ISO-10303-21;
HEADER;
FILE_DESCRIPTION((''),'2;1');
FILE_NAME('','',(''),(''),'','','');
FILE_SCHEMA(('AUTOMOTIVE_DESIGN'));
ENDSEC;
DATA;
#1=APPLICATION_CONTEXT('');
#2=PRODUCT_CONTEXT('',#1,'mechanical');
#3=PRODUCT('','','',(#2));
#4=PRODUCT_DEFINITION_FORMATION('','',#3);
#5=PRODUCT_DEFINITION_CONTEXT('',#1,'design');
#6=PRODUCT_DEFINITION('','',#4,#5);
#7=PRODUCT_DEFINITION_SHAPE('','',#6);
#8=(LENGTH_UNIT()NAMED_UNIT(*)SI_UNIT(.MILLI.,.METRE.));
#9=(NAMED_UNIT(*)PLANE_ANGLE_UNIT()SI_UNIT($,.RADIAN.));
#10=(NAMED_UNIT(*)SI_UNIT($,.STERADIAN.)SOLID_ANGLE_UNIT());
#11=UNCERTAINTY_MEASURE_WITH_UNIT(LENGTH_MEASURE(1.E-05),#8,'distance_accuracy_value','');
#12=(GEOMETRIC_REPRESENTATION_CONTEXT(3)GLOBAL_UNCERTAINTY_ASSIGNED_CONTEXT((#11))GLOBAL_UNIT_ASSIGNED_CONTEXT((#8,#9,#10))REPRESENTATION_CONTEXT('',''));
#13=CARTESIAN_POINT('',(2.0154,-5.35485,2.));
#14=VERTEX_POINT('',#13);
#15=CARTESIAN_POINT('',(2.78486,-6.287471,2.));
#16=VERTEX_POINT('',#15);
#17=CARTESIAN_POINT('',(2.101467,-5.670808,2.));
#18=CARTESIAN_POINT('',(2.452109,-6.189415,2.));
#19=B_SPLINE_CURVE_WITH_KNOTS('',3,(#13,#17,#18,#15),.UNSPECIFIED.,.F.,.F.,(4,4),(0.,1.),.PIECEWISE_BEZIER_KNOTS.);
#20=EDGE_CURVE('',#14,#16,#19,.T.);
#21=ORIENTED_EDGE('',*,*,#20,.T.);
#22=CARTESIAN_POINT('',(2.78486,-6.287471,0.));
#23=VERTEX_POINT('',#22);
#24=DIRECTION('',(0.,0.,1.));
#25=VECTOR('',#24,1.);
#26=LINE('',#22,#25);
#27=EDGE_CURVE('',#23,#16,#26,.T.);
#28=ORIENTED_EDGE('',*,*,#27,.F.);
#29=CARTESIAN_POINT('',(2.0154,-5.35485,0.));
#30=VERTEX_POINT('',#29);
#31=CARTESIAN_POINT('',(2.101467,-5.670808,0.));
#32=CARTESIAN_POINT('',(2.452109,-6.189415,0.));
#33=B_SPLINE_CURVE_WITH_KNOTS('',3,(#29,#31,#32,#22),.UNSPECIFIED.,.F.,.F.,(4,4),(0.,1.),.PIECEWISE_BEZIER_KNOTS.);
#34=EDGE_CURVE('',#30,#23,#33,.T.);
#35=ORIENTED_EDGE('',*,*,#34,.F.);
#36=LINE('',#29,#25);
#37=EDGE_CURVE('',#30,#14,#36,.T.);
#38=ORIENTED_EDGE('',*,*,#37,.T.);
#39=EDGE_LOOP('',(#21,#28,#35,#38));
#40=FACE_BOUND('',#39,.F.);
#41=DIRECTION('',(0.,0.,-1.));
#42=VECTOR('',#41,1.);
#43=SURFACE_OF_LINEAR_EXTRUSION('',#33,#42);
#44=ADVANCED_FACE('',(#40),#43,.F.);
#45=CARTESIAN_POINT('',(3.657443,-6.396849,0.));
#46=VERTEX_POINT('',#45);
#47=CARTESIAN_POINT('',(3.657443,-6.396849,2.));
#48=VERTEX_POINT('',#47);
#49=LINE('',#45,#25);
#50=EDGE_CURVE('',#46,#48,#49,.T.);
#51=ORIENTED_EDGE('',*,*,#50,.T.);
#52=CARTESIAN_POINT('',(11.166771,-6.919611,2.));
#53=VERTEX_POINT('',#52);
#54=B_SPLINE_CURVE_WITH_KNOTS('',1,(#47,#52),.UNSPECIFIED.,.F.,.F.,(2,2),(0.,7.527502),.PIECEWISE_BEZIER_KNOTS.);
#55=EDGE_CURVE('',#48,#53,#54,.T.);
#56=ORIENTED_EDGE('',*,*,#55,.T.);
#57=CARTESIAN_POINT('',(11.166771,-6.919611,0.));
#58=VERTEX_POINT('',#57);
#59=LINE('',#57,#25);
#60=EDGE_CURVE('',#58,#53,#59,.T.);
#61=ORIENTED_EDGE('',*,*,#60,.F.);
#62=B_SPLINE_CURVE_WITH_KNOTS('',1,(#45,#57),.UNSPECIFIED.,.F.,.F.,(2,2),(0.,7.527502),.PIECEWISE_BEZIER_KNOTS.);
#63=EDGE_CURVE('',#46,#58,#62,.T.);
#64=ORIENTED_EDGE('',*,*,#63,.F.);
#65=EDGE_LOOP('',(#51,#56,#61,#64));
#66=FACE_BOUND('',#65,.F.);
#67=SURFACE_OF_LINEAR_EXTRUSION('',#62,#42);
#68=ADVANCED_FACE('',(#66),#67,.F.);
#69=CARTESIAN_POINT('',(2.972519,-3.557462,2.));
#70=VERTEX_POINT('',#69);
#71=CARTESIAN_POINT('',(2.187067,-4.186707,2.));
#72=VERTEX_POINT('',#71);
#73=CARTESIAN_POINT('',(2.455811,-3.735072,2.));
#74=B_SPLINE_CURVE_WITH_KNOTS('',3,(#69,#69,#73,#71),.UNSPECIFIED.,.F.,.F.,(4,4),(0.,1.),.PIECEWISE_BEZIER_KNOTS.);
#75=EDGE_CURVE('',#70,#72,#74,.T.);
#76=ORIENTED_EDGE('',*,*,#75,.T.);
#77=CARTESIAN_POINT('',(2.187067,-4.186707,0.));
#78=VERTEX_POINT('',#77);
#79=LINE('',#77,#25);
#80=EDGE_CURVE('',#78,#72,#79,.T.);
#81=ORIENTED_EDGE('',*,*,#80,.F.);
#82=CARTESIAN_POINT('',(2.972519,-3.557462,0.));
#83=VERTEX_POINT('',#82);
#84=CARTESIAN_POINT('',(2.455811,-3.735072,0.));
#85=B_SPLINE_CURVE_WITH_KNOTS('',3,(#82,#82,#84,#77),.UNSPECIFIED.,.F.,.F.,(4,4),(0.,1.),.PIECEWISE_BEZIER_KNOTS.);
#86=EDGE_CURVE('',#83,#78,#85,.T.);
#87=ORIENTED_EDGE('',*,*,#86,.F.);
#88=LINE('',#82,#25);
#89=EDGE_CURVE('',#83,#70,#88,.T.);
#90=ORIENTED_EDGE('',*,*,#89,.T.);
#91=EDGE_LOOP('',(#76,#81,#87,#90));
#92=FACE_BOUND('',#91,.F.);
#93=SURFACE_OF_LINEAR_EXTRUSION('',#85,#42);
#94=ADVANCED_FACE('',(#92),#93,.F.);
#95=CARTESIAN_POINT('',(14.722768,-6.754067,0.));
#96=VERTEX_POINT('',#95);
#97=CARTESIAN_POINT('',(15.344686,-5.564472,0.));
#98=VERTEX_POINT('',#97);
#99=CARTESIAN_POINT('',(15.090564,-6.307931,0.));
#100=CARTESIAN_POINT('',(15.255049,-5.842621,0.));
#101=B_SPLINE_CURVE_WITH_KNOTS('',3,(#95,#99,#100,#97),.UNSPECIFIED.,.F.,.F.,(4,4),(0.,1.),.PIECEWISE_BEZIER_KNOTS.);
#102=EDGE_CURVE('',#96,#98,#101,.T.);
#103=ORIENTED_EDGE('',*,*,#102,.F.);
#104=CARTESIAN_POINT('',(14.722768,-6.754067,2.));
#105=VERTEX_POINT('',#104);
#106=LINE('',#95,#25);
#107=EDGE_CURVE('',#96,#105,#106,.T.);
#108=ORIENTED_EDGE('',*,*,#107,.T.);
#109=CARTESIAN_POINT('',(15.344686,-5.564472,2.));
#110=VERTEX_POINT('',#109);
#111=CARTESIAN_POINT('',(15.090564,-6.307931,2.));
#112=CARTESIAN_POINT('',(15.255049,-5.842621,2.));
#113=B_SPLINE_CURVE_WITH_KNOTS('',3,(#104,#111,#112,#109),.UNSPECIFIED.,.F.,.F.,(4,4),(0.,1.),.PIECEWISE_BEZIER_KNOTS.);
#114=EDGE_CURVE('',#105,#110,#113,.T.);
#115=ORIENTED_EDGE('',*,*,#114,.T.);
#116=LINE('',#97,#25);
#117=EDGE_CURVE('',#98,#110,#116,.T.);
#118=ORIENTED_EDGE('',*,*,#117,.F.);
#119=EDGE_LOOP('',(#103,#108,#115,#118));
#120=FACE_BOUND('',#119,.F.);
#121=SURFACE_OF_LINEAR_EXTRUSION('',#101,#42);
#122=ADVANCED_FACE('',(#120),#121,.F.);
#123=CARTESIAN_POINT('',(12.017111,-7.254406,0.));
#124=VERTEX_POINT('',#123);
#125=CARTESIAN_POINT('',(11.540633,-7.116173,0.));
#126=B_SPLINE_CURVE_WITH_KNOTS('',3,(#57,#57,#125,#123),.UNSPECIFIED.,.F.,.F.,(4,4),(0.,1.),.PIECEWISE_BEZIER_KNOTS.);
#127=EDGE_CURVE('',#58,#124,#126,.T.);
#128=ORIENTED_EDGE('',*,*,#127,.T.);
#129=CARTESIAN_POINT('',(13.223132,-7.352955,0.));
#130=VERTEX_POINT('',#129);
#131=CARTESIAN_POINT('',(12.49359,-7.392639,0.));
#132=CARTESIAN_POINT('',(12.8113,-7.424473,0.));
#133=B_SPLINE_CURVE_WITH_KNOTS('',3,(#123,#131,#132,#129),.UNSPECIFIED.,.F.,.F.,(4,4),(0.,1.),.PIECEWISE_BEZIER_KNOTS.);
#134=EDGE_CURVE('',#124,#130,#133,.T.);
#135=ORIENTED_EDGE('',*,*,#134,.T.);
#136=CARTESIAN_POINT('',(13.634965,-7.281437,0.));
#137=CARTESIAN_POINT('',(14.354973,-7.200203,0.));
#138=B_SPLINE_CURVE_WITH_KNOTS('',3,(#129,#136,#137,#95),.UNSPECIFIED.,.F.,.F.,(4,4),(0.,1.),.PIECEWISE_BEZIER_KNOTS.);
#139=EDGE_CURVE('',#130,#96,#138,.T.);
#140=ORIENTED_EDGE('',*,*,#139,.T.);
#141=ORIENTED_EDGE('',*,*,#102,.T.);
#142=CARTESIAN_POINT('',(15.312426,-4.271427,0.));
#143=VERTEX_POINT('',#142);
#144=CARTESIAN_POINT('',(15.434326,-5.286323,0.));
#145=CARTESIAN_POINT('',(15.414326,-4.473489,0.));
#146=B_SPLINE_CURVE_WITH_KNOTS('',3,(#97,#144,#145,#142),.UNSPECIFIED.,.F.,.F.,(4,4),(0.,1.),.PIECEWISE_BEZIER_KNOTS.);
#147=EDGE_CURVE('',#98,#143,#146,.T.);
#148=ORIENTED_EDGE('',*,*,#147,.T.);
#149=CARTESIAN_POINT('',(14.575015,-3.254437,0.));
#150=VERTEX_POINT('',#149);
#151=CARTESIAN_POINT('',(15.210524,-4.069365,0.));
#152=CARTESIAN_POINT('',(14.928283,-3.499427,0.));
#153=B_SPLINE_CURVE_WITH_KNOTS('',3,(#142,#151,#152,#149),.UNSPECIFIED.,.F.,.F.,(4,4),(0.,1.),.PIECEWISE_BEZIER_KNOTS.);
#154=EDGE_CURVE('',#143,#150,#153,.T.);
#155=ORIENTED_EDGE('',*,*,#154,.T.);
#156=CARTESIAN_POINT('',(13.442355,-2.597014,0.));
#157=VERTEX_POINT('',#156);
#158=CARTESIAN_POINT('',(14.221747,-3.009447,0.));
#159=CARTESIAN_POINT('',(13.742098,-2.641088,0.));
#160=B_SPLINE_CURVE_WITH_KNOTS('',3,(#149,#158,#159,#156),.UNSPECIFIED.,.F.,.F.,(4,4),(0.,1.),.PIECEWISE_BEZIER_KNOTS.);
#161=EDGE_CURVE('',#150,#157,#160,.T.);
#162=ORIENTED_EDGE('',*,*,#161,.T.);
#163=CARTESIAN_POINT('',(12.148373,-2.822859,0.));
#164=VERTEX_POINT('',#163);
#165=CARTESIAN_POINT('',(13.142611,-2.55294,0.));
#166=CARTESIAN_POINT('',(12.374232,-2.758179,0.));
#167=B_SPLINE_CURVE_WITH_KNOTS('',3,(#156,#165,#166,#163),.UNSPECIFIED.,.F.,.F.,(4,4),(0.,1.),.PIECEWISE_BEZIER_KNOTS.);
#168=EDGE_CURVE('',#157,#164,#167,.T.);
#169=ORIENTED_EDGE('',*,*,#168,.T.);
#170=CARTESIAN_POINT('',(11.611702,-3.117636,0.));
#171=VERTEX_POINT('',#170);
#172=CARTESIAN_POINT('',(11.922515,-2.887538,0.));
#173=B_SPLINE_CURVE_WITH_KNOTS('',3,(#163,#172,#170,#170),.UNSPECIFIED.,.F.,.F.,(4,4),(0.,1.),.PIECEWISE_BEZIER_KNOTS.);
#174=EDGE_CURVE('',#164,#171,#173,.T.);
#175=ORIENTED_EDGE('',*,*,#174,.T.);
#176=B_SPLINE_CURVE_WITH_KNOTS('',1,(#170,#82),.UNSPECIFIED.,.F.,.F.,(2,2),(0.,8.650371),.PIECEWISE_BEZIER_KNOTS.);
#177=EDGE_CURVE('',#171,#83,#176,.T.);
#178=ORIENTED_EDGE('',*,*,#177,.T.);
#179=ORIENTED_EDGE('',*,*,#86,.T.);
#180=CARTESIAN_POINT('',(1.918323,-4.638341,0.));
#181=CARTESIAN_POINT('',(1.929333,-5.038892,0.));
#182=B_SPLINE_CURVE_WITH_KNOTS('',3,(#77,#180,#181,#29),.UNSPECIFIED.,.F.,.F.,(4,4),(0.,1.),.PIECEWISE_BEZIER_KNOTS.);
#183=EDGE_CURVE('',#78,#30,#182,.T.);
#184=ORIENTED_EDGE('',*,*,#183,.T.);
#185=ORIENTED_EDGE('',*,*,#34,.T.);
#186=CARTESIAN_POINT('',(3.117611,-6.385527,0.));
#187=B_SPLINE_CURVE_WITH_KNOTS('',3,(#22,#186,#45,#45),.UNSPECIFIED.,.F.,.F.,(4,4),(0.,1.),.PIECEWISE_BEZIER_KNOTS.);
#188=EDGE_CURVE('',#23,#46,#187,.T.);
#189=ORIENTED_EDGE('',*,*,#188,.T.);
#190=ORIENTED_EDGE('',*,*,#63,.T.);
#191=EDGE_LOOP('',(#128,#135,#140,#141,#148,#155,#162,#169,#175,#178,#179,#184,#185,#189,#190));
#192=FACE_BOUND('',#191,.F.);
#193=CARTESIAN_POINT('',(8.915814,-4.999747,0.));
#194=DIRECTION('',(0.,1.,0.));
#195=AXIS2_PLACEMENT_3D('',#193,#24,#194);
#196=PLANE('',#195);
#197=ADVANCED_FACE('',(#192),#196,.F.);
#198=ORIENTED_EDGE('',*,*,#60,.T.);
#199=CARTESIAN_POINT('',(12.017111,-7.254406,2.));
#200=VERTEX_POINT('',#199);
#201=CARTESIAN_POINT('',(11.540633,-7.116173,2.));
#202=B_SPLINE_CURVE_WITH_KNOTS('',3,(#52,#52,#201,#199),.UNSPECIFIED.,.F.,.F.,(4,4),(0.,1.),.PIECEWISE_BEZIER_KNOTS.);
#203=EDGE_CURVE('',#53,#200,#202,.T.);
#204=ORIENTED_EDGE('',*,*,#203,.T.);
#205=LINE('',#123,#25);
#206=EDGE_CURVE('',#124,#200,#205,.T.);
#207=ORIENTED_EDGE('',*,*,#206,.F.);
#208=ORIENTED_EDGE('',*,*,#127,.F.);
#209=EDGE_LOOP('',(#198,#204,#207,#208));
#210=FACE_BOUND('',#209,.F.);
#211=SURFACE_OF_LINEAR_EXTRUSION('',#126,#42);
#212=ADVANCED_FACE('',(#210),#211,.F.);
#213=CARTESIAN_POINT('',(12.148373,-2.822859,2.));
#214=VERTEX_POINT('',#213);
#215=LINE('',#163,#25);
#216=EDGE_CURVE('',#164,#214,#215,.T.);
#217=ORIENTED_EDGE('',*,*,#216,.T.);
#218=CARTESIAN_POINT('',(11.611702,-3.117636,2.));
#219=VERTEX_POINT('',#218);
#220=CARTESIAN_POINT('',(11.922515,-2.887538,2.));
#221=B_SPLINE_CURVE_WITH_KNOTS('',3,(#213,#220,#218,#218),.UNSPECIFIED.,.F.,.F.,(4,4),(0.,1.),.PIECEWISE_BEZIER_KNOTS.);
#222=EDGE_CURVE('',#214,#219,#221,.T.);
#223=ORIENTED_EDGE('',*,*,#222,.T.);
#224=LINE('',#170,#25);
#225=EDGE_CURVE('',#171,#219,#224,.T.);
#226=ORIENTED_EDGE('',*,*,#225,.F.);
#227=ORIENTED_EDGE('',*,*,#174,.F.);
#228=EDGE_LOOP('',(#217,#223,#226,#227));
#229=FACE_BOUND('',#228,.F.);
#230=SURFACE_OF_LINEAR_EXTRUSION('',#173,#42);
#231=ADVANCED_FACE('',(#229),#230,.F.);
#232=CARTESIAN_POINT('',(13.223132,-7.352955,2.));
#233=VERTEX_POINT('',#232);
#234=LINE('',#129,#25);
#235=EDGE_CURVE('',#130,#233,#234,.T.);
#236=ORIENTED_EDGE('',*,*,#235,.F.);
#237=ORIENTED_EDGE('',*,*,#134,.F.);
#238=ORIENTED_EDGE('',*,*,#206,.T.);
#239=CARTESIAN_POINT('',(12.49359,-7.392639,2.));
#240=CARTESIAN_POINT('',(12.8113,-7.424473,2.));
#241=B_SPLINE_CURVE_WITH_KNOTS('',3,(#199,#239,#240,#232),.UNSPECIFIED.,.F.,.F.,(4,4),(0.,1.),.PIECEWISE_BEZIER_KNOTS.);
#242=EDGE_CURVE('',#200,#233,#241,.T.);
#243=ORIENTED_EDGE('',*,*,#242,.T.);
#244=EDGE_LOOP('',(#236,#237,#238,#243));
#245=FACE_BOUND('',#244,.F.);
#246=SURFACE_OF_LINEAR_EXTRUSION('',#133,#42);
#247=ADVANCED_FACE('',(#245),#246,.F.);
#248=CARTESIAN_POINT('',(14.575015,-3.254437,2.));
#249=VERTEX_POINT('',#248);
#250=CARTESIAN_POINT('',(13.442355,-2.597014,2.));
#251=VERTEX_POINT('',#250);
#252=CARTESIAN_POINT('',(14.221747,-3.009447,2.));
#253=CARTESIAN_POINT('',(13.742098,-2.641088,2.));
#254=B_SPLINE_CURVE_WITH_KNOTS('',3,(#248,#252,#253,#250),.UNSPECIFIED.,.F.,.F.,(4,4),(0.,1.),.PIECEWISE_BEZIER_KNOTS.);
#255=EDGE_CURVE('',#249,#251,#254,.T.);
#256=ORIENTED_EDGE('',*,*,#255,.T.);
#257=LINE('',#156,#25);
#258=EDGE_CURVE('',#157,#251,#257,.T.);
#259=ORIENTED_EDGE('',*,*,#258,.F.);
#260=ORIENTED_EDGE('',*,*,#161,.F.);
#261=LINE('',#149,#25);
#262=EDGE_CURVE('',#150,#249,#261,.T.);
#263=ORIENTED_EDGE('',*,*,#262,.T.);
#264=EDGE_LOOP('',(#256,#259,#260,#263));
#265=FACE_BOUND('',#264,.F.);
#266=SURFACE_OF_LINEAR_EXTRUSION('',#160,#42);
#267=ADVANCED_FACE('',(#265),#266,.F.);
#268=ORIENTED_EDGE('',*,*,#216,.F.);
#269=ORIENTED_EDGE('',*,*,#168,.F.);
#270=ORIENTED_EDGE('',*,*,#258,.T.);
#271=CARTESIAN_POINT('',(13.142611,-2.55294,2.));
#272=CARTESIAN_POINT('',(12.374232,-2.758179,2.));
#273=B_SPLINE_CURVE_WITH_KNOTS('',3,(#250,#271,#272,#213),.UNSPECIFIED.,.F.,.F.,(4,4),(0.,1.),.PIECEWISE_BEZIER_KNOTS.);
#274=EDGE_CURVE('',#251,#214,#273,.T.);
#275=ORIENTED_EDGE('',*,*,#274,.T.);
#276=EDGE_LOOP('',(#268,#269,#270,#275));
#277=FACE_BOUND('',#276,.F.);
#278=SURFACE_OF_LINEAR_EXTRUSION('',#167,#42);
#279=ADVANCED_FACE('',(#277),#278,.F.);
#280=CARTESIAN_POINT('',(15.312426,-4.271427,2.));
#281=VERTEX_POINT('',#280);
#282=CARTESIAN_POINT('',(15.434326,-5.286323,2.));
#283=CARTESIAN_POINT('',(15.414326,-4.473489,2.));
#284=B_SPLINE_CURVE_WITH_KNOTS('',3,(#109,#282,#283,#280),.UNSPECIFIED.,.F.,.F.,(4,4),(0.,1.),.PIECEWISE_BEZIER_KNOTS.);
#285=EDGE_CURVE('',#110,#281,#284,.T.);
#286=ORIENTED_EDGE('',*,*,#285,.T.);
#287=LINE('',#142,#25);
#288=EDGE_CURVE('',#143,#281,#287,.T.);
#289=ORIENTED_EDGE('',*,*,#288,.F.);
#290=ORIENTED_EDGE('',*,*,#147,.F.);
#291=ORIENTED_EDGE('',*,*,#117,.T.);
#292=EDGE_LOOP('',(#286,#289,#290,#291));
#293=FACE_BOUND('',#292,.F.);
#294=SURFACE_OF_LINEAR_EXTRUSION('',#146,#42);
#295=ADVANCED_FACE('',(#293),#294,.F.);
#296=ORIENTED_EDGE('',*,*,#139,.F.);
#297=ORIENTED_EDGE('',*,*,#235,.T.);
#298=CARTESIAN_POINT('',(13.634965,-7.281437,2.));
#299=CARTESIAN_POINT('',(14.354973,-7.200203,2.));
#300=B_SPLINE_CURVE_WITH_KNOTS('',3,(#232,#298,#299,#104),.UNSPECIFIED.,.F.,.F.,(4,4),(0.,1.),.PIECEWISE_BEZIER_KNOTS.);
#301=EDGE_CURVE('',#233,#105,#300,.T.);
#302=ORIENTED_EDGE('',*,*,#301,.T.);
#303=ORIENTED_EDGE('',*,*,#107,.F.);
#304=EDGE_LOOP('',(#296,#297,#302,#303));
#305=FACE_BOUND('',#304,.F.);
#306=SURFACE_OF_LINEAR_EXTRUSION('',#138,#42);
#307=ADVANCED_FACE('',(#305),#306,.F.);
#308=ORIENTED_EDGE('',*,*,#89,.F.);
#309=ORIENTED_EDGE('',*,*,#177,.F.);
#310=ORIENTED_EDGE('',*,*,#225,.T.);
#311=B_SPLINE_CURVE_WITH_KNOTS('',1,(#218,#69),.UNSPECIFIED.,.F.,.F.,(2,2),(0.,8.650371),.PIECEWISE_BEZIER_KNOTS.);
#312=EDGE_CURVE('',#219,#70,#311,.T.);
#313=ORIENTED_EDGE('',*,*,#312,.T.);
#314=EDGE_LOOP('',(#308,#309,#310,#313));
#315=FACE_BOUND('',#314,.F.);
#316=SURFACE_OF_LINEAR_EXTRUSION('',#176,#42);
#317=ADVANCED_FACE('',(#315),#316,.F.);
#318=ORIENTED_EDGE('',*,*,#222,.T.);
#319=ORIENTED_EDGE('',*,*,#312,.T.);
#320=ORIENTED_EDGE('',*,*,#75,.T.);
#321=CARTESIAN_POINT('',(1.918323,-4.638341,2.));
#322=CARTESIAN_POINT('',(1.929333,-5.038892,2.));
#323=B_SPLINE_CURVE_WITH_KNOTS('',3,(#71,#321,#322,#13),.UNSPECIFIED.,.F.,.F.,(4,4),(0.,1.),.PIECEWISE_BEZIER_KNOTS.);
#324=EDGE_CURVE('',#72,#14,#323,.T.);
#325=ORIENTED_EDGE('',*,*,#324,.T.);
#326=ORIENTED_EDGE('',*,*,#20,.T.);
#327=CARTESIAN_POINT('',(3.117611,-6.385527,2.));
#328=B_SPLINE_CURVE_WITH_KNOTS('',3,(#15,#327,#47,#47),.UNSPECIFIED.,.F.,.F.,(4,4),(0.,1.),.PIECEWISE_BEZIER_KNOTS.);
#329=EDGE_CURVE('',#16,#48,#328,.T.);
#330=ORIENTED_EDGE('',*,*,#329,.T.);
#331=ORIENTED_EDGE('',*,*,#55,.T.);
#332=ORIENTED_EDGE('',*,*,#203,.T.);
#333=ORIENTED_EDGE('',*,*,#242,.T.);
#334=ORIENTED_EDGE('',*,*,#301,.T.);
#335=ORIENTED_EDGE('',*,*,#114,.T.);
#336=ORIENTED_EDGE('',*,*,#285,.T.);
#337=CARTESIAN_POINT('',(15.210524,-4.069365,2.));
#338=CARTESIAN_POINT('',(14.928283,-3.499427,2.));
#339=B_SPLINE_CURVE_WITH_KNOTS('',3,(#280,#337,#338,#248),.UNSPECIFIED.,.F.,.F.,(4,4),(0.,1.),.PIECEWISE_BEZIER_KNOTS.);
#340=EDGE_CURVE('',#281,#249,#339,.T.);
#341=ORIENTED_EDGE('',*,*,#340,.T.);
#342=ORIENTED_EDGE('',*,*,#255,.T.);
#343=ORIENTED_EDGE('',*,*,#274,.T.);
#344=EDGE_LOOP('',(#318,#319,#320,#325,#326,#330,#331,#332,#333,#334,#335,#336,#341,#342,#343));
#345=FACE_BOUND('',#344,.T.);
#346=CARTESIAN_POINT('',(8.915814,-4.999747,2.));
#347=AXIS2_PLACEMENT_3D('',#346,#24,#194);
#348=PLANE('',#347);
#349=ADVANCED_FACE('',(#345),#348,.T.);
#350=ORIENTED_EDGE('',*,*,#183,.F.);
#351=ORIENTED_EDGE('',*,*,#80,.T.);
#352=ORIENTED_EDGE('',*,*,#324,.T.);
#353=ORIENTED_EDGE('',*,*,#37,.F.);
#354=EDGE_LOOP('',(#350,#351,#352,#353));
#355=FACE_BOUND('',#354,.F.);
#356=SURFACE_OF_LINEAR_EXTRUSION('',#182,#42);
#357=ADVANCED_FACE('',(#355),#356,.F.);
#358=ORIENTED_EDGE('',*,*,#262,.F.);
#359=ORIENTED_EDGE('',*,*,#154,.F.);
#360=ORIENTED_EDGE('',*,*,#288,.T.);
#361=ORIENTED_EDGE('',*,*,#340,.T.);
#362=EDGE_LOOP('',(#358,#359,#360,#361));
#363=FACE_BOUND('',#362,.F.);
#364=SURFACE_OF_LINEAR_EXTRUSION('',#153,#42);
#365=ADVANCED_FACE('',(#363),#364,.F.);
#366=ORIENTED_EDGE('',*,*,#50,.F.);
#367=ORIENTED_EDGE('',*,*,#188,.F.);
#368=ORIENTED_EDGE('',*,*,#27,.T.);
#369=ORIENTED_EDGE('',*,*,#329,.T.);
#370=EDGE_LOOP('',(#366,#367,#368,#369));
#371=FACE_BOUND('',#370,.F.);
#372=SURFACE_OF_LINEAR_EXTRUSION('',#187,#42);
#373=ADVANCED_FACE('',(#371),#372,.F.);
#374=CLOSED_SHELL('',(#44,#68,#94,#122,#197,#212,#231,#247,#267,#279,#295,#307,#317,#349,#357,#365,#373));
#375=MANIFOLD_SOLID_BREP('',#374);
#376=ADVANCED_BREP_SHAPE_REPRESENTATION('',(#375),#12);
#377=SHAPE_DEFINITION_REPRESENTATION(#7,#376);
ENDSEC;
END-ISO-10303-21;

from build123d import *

# Parameters (mm, degrees)
EXTRUDE_DEPTH = 2


with BuildPart() as part:
    # path2399 → Extrude (new body)
    with BuildSketch(Plane(origin=(8.682374, -4.98127, 0), x_dir=(0, 1, 0), z_dir=(0, 0, 1))):
        with BuildLine():
            add(Edge.make_bspline(
                [(-1.415579, 5.024931), (-1.938341, -2.484397)],
                knots=[0, 0, 7.527502, 7.527502], degree=1))
            add(Edge.make_bspline(
                [(-1.938341, -2.484397), (-1.938341, -2.484397), (-2.134903, -2.858259), (-2.273136, -3.334737)],
                knots=[0, 0, 0, 0, 1, 1, 1, 1], degree=3))
            add(Edge.make_bspline(
                [(-2.273136, -3.334737), (-2.411369, -3.811216), (-2.443203, -4.128926), (-2.371685, -4.540758)],
                knots=[0, 0, 0, 0, 1, 1, 1, 1], degree=3))
            add(Edge.make_bspline(
                [(-2.371685, -4.540758), (-2.300167, -4.952591), (-2.218933, -5.672599), (-1.772797, -6.040394)],
                knots=[0, 0, 0, 0, 1, 1, 1, 1], degree=3))
            add(Edge.make_bspline(
                [(-1.772797, -6.040394), (-1.326661, -6.40819), (-0.861351, -6.572675), (-0.583202, -6.662312)],
                knots=[0, 0, 0, 0, 1, 1, 1, 1], degree=3))
            add(Edge.make_bspline(
                [(-0.583202, -6.662312), (-0.305053, -6.751952), (0.507781, -6.731952), (0.709843, -6.630052)],
                knots=[0, 0, 0, 0, 1, 1, 1, 1], degree=3))
            add(Edge.make_bspline(
                [(0.709843, -6.630052), (0.911905, -6.52815), (1.481843, -6.245909), (1.726833, -5.892641)],
                knots=[0, 0, 0, 0, 1, 1, 1, 1], degree=3))
            add(Edge.make_bspline(
                [(1.726833, -5.892641), (1.971823, -5.539373), (2.340182, -5.059724), (2.384256, -4.759981)],
                knots=[0, 0, 0, 0, 1, 1, 1, 1], degree=3))
            add(Edge.make_bspline(
                [(2.384256, -4.759981), (2.42833, -4.460237), (2.223091, -3.691858), (2.158411, -3.465999)],
                knots=[0, 0, 0, 0, 1, 1, 1, 1], degree=3))
            add(Edge.make_bspline(
                [(2.158411, -3.465999), (2.093732, -3.240141), (1.863634, -2.929328), (1.863634, -2.929328)],
                knots=[0, 0, 0, 0, 1, 1, 1, 1], degree=3))
            add(Edge.make_bspline(
                [(1.863634, -2.929328), (1.423808, 5.709855)],
                knots=[0, 0, 8.650371, 8.650371], degree=1))
            add(Edge.make_bspline(
                [(1.423808, 5.709855), (1.423808, 5.709855), (1.246198, 6.226563), (0.794563, 6.495307)],
                knots=[0, 0, 0, 0, 1, 1, 1, 1], degree=3))
            add(Edge.make_bspline(
                [(0.794563, 6.495307), (0.342929, 6.764051), (-0.057622, 6.753041), (-0.37358, 6.666974)],
                knots=[0, 0, 0, 0, 1, 1, 1, 1], degree=3))
            add(Edge.make_bspline(
                [(-0.37358, 6.666974), (-0.689538, 6.580907), (-1.208145, 6.230265), (-1.306201, 5.897514)],
                knots=[0, 0, 0, 0, 1, 1, 1, 1], degree=3))
            add(Edge.make_bspline(
                [(-1.306201, 5.897514), (-1.404257, 5.564763), (-1.415579, 5.024931), (-1.415579, 5.024931)],
                knots=[0, 0, 0, 0, 1, 1, 1, 1], degree=3))
        make_face()
    extrude(amount=EXTRUDE_DEPTH)


solid = part.part
